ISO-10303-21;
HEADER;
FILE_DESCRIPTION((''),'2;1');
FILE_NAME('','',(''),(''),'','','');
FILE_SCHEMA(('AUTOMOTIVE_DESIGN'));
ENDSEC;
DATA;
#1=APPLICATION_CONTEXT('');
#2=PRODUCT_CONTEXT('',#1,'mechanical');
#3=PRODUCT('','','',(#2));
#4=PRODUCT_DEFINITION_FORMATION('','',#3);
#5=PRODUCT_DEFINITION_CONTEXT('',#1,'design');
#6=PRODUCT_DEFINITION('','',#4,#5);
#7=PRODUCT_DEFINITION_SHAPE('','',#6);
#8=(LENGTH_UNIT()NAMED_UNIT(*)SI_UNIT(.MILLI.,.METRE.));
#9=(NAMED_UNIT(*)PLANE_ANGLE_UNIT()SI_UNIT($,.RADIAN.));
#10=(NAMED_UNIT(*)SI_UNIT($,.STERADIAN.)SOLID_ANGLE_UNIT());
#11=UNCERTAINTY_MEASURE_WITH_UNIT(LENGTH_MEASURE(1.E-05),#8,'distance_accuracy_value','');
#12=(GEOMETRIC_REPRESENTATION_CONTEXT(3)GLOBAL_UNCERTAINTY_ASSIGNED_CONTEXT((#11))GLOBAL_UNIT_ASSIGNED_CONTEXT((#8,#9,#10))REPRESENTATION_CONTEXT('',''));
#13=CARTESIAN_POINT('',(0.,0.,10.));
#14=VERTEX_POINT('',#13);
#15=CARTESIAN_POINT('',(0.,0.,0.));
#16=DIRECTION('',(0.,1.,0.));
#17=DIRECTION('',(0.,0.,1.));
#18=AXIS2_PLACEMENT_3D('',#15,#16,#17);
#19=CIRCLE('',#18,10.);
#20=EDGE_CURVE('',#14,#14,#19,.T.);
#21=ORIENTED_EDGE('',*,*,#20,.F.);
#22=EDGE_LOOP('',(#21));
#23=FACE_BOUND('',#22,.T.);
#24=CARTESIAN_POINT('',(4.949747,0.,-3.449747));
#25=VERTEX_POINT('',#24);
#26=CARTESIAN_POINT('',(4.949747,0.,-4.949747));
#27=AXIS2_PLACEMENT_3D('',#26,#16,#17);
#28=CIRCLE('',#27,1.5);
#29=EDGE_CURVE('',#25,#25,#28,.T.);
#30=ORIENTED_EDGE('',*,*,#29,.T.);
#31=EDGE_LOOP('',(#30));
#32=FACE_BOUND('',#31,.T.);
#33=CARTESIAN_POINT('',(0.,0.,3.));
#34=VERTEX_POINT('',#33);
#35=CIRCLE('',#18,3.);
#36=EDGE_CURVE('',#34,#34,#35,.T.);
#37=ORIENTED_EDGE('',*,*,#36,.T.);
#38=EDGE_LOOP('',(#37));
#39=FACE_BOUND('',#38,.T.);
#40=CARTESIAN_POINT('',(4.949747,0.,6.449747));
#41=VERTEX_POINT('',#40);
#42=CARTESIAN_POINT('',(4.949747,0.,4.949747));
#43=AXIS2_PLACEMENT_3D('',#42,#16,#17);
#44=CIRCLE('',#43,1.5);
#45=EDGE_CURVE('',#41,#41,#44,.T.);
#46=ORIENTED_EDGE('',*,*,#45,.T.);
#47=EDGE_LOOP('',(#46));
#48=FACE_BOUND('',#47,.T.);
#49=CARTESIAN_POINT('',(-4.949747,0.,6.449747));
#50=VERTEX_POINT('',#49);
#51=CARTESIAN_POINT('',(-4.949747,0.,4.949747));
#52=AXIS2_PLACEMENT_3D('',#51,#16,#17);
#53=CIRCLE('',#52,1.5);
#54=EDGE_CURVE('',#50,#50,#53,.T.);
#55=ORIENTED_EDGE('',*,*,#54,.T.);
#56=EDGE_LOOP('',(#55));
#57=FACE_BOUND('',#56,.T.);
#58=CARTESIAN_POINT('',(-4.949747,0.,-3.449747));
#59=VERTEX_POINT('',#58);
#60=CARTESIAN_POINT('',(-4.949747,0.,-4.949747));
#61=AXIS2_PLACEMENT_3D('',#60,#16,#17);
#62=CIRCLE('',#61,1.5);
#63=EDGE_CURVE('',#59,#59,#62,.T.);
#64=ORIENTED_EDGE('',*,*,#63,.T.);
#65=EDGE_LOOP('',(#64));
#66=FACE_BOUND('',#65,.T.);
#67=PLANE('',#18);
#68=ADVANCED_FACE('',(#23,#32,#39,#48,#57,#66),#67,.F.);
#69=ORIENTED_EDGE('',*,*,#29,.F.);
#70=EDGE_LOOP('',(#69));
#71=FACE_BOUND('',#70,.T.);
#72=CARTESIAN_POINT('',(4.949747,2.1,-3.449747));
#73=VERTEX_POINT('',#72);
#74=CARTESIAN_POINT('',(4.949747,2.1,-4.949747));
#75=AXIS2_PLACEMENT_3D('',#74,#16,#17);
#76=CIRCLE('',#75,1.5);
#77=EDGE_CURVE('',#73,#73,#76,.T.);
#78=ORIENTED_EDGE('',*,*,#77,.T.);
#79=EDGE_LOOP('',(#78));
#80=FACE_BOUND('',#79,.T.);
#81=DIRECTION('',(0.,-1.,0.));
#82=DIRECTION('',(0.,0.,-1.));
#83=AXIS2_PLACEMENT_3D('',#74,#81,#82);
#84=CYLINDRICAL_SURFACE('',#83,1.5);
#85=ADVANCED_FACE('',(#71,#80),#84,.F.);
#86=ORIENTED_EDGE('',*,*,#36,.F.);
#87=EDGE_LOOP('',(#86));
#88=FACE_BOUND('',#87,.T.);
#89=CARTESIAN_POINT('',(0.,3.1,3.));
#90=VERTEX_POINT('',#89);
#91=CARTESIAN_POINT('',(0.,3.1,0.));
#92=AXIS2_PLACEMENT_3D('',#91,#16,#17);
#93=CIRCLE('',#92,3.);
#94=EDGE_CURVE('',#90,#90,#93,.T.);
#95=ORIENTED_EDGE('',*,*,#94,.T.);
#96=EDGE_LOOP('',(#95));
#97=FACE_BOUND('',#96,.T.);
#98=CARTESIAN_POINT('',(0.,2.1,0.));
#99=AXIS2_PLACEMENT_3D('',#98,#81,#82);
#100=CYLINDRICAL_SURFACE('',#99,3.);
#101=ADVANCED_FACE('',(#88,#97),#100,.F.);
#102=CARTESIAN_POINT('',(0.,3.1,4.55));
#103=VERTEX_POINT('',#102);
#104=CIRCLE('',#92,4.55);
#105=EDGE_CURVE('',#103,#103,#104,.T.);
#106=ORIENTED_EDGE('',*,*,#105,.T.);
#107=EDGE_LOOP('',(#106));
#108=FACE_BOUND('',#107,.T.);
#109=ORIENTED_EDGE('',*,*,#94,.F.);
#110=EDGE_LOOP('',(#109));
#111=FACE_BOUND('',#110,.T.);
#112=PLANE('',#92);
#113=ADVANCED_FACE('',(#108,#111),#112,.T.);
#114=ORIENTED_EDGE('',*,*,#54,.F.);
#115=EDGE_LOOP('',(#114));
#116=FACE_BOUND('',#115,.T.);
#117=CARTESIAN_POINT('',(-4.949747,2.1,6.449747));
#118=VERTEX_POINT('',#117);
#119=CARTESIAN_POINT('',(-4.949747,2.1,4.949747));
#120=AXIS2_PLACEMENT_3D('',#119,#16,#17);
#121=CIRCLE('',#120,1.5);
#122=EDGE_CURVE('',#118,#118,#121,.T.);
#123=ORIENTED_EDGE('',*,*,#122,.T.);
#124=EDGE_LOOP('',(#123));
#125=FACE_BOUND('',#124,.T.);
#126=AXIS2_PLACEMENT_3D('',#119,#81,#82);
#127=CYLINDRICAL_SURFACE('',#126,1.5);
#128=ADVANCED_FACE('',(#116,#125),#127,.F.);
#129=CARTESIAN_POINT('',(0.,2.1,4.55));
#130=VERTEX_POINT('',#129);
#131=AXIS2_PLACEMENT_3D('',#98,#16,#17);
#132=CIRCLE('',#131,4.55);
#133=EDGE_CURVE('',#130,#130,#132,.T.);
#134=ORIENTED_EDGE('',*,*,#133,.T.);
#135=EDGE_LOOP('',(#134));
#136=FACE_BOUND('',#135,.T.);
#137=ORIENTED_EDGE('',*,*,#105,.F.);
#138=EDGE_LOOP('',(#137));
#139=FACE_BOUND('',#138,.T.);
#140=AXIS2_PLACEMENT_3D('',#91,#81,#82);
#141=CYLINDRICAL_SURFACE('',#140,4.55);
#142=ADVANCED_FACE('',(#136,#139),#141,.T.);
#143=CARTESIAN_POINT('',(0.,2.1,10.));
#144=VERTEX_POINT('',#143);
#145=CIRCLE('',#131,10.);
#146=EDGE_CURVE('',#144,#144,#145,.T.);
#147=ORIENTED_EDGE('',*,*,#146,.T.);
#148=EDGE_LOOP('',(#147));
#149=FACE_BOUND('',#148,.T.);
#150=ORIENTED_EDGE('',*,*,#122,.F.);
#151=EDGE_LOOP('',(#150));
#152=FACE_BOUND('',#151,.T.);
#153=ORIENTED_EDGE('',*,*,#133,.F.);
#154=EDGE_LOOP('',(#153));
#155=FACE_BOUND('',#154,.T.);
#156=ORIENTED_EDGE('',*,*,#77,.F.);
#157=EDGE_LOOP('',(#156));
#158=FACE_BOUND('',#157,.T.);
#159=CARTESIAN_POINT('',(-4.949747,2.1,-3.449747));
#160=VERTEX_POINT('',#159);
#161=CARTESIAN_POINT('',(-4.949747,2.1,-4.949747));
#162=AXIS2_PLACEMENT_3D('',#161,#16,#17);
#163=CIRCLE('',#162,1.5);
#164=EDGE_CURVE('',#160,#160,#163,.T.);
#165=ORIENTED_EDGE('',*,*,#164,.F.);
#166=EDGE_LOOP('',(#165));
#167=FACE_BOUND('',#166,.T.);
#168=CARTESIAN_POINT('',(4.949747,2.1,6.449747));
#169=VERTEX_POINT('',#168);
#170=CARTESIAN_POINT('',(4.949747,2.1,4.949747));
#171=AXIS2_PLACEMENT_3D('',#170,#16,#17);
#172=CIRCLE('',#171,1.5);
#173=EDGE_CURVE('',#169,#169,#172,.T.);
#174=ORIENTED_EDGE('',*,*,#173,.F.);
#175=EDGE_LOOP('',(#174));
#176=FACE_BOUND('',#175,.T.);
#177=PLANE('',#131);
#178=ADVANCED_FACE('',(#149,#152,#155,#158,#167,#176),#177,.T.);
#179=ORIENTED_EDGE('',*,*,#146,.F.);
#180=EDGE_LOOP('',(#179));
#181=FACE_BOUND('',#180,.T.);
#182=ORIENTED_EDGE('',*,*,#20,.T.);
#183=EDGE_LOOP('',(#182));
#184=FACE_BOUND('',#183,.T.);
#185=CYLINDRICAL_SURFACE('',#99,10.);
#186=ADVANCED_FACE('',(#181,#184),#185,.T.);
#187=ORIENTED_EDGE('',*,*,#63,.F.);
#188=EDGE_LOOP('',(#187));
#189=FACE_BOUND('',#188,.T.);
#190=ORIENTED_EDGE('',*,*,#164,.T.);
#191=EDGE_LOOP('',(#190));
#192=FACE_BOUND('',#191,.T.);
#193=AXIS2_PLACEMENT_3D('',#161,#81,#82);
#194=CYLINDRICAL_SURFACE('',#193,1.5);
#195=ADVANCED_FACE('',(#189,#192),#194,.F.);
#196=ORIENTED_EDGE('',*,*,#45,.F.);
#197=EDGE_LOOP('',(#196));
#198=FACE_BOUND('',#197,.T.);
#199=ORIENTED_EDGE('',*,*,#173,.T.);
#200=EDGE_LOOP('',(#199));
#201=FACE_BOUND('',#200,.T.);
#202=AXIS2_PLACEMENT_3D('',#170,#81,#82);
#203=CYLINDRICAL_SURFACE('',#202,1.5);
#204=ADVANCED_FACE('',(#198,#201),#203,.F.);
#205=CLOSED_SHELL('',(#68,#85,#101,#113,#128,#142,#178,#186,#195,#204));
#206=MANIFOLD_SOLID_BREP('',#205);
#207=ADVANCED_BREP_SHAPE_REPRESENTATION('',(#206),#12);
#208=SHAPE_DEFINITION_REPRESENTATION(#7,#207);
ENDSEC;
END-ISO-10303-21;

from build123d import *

# Parameters (mm, degrees)
ESQUISSE1_R        = 10
ESQUISSE1_R_2      = 3
ESQUISSE1_R_3      = 1.5
BOSS_EXTRU_1_DEPTH = 2.1
ESQUISSE2_R        = 4.55
ESQUISSE2_R_2      = 3
BOSS_EXTRU_2_DEPTH = 1


with BuildPart() as part:
    # Esquisse1 → Boss.-Extru.1 (new body)
    with BuildSketch(Plane(origin=(0, 0, 0), x_dir=(1, 0, 0), z_dir=(0, 1, 0))):
        with Locations(Location((0, 0, 0), (0, 0, 270))):
            Circle(ESQUISSE1_R)
        with Locations(Location((0, 0, 0), (0, 0, 270))):
            Circle(ESQUISSE1_R_2, mode=Mode.SUBTRACT)
        with Locations(Location((-4.949747468, -4.949747468, 0), (0, 0, 270))):
            Circle(ESQUISSE1_R_3, mode=Mode.SUBTRACT)
        with Locations(Location((-4.949747468, 4.949747468, 0), (0, 0, 270))):
            Circle(ESQUISSE1_R_3, mode=Mode.SUBTRACT)
        with Locations(Location((4.949747468, 4.949747468, 0), (0, 0, 270))):
            Circle(ESQUISSE1_R_3, mode=Mode.SUBTRACT)
        with Locations(Location((4.949747468, -4.949747468, 0), (0, 0, 270))):
            Circle(ESQUISSE1_R_3, mode=Mode.SUBTRACT)
    extrude(amount=BOSS_EXTRU_1_DEPTH)

    # Esquisse2 → Boss.-Extru.2 (add)
    with BuildSketch(Plane(origin=(0, 2.1, 0), x_dir=(1, 0, 0), z_dir=(0, 1, 0))):
        with Locations(Location((0, 0, 0), (0, 0, 270))):
            Circle(ESQUISSE2_R)
        with Locations(Location((0, 0, 0), (0, 0, 270))):
            Circle(ESQUISSE2_R_2, mode=Mode.SUBTRACT)
    extrude(amount=BOSS_EXTRU_2_DEPTH)


solid = part.part
